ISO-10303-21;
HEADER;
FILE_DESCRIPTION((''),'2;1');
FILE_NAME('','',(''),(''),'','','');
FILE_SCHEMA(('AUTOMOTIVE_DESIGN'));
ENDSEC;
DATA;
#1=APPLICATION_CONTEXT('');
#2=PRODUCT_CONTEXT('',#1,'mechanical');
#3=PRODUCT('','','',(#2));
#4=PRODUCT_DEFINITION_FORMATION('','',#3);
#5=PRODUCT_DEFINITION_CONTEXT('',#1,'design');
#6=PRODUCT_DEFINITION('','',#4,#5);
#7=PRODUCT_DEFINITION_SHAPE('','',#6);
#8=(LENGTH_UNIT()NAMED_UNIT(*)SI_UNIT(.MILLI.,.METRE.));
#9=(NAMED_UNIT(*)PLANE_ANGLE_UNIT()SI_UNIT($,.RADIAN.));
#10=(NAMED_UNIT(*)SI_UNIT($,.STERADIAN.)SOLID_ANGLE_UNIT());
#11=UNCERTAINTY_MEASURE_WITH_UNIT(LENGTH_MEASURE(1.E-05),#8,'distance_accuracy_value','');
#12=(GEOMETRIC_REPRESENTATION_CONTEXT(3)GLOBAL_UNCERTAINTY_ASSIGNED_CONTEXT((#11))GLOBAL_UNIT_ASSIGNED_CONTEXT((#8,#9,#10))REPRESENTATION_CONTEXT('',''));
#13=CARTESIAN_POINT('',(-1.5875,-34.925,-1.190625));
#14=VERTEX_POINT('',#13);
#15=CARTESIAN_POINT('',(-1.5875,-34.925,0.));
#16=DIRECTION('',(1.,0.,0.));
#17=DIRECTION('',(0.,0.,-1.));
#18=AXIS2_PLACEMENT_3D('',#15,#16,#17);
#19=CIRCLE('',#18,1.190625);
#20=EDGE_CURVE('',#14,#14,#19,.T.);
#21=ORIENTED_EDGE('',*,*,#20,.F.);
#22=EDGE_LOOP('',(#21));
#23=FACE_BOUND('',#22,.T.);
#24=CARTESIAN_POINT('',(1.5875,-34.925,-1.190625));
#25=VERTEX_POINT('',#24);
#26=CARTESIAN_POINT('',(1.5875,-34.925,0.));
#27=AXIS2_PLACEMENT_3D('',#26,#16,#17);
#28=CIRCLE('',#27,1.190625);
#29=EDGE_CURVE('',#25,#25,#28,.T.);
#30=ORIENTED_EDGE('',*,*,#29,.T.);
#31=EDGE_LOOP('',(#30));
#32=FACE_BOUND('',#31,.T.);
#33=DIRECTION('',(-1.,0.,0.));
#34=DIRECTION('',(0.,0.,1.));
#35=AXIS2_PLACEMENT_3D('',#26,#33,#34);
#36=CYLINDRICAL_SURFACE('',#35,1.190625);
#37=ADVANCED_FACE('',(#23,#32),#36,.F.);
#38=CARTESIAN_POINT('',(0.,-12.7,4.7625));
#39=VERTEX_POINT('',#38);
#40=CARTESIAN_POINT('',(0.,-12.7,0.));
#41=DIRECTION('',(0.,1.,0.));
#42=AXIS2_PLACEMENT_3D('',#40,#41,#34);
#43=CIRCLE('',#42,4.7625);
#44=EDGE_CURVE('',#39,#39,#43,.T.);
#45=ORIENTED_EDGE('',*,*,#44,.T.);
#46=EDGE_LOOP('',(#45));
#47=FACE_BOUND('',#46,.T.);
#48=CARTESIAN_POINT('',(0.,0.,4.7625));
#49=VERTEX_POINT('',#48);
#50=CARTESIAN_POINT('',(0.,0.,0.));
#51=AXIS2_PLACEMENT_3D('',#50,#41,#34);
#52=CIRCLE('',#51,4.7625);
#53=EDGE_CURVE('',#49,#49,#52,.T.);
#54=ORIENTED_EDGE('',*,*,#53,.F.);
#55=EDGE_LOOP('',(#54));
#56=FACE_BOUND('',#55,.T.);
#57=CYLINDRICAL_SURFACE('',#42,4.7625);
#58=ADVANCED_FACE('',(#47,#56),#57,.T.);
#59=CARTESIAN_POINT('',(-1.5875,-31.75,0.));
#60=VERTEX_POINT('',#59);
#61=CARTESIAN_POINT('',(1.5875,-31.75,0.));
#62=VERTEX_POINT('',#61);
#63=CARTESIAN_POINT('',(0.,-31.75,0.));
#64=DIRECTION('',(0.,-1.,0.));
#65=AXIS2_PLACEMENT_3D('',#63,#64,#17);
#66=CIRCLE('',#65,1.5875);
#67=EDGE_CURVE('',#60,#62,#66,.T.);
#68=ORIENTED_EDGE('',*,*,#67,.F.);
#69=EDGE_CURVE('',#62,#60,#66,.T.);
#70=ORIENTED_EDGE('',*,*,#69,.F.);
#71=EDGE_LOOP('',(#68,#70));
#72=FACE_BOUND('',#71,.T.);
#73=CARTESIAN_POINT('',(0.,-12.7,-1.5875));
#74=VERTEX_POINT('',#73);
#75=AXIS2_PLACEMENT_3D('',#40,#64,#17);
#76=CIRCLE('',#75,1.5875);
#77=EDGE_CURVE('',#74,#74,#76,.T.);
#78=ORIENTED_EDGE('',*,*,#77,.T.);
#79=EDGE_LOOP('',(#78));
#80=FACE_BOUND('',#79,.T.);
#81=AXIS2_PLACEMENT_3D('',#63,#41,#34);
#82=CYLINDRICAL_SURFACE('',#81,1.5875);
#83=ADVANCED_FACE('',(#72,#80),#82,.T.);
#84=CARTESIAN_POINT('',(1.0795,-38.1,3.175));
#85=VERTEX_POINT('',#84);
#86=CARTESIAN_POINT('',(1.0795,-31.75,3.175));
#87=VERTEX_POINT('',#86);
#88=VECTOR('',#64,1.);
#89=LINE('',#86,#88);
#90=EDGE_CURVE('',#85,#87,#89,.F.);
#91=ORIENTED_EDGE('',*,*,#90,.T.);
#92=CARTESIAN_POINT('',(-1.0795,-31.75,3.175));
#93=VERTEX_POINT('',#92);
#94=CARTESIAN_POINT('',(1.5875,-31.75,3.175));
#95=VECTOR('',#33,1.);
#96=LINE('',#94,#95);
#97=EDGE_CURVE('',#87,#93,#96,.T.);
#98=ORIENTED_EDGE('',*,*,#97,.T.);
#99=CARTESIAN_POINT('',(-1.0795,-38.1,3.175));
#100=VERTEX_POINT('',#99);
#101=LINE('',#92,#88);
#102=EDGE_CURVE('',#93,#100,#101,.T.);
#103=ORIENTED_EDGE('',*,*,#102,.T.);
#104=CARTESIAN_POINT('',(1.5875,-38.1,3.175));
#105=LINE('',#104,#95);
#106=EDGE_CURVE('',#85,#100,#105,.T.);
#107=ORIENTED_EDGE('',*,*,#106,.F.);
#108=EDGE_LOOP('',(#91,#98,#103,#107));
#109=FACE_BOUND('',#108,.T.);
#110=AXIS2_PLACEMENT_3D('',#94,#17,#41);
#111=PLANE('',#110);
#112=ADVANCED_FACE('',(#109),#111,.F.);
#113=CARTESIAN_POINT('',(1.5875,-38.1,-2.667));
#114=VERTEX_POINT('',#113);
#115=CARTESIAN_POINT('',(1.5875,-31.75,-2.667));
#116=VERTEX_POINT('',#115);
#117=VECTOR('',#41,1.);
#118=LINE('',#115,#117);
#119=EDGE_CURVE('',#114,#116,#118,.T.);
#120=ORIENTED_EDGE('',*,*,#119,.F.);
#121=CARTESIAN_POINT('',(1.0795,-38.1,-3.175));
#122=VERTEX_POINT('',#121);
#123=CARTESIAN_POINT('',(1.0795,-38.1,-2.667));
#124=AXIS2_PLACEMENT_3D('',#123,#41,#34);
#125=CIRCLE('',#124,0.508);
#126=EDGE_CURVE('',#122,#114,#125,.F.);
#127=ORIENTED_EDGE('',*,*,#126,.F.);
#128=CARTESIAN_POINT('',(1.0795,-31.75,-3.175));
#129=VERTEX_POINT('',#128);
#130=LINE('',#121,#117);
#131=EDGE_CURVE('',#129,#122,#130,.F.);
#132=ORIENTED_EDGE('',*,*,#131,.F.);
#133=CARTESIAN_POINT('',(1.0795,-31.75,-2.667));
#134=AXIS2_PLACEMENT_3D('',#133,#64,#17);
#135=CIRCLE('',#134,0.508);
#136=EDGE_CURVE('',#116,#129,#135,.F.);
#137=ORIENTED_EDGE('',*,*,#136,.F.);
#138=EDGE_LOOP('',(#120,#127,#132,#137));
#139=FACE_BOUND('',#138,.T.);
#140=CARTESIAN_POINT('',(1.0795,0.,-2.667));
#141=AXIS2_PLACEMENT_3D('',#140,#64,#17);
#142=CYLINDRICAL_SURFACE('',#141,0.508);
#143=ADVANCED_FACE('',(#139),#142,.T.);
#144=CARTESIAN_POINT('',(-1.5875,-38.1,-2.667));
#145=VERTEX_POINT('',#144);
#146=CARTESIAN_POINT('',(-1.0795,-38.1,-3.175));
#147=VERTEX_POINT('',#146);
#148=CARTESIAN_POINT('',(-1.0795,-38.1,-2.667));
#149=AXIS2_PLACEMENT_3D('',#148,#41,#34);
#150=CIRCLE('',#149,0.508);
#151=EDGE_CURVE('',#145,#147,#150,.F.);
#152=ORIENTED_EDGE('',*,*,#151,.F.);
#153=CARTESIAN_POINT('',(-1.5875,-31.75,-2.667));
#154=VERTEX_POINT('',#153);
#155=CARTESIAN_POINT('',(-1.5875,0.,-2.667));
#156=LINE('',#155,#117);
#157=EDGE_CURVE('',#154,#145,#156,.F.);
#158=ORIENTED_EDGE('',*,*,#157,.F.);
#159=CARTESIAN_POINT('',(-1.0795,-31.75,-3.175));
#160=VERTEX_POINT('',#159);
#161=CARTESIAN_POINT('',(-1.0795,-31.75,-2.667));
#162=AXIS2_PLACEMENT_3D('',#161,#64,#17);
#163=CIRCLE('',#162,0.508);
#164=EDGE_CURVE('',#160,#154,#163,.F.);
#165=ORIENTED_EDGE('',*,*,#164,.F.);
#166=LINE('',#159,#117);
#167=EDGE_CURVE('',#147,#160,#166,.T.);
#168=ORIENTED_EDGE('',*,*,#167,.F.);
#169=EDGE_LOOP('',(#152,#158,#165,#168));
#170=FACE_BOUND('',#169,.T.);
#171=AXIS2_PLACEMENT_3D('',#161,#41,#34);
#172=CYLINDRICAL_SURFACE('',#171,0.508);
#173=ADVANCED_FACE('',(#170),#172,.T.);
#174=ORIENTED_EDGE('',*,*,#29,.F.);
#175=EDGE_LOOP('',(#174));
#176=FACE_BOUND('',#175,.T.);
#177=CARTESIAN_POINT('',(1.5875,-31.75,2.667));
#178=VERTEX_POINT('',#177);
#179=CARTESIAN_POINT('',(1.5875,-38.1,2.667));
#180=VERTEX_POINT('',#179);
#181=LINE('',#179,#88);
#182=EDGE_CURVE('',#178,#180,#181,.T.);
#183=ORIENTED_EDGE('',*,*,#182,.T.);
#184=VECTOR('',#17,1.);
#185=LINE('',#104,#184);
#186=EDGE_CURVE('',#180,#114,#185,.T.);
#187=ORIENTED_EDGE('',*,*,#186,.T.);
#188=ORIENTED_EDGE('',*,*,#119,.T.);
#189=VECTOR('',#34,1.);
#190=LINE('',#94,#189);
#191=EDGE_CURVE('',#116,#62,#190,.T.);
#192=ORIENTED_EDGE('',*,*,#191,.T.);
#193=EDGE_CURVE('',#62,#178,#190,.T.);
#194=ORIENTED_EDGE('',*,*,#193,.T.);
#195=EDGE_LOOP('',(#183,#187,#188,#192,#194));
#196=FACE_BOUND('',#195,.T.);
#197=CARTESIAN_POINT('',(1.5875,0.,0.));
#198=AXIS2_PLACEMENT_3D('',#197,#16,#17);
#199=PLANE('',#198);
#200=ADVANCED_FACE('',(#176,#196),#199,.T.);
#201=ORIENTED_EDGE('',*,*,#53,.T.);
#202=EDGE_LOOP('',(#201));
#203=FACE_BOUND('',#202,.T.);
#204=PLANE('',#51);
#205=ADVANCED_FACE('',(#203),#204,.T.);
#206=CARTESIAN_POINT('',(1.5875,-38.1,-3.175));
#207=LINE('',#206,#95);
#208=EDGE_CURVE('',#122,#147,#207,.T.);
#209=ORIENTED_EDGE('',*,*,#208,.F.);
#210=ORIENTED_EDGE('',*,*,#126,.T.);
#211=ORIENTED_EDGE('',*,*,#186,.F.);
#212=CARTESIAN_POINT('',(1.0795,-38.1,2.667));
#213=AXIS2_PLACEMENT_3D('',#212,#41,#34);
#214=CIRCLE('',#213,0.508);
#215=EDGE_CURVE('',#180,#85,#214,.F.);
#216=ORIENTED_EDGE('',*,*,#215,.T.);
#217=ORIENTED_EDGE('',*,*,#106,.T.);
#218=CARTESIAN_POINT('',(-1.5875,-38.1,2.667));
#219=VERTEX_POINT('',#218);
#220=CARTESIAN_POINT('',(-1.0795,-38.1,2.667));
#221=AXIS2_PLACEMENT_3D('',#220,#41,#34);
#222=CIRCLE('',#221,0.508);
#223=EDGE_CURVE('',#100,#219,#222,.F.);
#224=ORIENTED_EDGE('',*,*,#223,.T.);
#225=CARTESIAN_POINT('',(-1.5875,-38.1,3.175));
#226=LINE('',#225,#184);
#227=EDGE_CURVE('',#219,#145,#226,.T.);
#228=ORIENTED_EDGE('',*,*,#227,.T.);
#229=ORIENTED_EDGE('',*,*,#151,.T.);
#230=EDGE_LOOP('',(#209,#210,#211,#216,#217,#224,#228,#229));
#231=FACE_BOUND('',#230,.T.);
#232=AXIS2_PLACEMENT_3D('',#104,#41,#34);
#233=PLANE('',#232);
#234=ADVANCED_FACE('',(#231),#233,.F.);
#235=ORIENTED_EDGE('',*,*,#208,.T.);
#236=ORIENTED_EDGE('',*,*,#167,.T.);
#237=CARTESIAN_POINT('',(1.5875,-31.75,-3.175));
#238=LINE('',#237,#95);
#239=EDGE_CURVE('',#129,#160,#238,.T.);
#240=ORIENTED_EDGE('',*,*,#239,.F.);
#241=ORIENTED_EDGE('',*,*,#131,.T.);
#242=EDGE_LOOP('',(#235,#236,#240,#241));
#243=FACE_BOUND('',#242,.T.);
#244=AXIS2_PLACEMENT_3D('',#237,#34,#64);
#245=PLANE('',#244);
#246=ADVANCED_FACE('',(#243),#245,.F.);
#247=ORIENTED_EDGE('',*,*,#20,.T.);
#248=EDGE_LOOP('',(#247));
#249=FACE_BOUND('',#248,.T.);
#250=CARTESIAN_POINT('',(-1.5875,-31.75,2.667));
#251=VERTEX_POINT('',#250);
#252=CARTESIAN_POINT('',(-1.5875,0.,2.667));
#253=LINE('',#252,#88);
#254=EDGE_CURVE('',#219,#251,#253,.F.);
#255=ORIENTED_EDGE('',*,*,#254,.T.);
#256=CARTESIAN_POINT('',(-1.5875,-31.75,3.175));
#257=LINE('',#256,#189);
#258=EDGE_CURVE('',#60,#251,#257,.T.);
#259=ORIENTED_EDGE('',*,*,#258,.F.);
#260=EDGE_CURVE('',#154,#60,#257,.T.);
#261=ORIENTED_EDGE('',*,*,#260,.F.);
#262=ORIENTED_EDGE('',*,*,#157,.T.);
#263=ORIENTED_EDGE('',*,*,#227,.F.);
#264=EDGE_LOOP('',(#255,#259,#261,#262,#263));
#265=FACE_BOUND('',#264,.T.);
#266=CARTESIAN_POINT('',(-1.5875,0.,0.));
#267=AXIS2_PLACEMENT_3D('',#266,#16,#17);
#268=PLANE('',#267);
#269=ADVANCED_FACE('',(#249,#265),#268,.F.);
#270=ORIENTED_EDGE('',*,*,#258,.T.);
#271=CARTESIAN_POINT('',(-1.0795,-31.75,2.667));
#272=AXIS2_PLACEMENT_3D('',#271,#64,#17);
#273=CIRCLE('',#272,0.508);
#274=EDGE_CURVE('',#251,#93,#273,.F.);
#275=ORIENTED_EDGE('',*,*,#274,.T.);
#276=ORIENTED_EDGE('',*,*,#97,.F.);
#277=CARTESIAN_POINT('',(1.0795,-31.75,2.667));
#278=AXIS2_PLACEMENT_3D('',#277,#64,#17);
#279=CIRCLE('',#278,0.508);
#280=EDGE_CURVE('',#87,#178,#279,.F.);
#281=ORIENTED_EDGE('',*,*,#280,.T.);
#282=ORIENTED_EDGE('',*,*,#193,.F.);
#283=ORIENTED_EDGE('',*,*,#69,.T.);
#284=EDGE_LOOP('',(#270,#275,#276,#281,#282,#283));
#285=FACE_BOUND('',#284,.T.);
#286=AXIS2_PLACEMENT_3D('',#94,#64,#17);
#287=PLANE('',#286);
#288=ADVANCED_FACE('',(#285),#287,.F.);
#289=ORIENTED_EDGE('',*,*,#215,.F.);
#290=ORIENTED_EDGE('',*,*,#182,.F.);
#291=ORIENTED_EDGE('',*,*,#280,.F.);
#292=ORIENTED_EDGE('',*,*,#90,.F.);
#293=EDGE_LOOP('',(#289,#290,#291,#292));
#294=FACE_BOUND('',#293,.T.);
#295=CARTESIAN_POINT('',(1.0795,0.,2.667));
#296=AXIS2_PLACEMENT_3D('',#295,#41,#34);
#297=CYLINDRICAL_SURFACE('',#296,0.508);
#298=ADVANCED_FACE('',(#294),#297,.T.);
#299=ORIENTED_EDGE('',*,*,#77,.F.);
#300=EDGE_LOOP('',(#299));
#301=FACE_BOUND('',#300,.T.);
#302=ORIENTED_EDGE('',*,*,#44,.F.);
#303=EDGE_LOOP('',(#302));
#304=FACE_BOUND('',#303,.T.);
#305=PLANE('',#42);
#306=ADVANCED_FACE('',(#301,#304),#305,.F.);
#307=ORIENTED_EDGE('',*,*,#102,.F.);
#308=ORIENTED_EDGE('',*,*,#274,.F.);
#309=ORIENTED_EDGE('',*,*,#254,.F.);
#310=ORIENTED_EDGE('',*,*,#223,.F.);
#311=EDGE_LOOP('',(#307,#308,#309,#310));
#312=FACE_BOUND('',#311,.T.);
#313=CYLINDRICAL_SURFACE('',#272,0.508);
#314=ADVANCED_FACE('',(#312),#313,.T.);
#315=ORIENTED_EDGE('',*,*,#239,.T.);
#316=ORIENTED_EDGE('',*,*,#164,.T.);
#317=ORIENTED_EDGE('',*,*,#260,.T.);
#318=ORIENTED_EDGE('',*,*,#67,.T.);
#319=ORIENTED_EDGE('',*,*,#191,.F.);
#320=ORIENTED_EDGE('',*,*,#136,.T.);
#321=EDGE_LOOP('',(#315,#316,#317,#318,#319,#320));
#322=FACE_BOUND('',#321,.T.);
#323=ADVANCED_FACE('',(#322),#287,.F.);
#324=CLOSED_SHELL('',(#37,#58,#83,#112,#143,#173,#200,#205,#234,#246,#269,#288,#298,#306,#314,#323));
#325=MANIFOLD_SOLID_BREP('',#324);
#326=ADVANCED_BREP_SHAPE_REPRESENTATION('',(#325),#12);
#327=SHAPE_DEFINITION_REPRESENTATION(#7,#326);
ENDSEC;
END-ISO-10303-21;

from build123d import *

# Parameters (mm, degrees)
SKETCH2_R           = 4.7625
BOSS_EXTRUDE2_DEPTH = 12.7
SKETCH3_R           = 1.5875
BOSS_EXTRUDE3_DEPTH = 19.05
SKETCH4_W           = 6.35
SKETCH4_H           = 6.35
SKETCH4_R           = 1.190625
BOSS_EXTRUDE4_DEPTH = 1.5875
FILLET2_R           = 0.508


with BuildPart() as part:
    # Sketch2 → Boss-Extrude2 (new body)
    with BuildSketch(Plane(origin=(0, 0, 0), x_dir=(1, 0, 0), z_dir=(0, 1, 0))):
        with Locations(Location((0, 0, 0), (0, 0, 270))):
            Circle(SKETCH2_R)
    extrude(amount=-BOSS_EXTRUDE2_DEPTH)

    # Sketch3 → Boss-Extrude3 (add)
    with BuildSketch(Plane.XZ.offset(12.7)):
        with Locations(Location((0, 0, 0), (0, 0, 90))):
            Circle(SKETCH3_R)
    extrude(amount=BOSS_EXTRUDE3_DEPTH)

    # Sketch4 → Boss-Extrude4 (add, symmetric)
    with BuildSketch(Plane(origin=(0, 0, 0), x_dir=(0, 0, -1), z_dir=(1, 0, 0))):
        with Locations((0, -34.925)):
            Rectangle(SKETCH4_W, SKETCH4_H)
        with Locations((0, -34.925)):
            Circle(SKETCH4_R, mode=Mode.SUBTRACT)
    extrude(amount=BOSS_EXTRUDE4_DEPTH, both=True)

    # Fillet2
    fillet2_edges = [part.edges().sort_by_distance(p)[0] for p in [
        (1.5875, -34.925, 3.175),
        (1.5875, -34.925, -3.175),
        (-1.5875, -34.925, 3.175),
        (-1.5875, -34.925, -3.175),
    ]]
    fillet(fillet2_edges, radius=FILLET2_R)


solid = part.part
